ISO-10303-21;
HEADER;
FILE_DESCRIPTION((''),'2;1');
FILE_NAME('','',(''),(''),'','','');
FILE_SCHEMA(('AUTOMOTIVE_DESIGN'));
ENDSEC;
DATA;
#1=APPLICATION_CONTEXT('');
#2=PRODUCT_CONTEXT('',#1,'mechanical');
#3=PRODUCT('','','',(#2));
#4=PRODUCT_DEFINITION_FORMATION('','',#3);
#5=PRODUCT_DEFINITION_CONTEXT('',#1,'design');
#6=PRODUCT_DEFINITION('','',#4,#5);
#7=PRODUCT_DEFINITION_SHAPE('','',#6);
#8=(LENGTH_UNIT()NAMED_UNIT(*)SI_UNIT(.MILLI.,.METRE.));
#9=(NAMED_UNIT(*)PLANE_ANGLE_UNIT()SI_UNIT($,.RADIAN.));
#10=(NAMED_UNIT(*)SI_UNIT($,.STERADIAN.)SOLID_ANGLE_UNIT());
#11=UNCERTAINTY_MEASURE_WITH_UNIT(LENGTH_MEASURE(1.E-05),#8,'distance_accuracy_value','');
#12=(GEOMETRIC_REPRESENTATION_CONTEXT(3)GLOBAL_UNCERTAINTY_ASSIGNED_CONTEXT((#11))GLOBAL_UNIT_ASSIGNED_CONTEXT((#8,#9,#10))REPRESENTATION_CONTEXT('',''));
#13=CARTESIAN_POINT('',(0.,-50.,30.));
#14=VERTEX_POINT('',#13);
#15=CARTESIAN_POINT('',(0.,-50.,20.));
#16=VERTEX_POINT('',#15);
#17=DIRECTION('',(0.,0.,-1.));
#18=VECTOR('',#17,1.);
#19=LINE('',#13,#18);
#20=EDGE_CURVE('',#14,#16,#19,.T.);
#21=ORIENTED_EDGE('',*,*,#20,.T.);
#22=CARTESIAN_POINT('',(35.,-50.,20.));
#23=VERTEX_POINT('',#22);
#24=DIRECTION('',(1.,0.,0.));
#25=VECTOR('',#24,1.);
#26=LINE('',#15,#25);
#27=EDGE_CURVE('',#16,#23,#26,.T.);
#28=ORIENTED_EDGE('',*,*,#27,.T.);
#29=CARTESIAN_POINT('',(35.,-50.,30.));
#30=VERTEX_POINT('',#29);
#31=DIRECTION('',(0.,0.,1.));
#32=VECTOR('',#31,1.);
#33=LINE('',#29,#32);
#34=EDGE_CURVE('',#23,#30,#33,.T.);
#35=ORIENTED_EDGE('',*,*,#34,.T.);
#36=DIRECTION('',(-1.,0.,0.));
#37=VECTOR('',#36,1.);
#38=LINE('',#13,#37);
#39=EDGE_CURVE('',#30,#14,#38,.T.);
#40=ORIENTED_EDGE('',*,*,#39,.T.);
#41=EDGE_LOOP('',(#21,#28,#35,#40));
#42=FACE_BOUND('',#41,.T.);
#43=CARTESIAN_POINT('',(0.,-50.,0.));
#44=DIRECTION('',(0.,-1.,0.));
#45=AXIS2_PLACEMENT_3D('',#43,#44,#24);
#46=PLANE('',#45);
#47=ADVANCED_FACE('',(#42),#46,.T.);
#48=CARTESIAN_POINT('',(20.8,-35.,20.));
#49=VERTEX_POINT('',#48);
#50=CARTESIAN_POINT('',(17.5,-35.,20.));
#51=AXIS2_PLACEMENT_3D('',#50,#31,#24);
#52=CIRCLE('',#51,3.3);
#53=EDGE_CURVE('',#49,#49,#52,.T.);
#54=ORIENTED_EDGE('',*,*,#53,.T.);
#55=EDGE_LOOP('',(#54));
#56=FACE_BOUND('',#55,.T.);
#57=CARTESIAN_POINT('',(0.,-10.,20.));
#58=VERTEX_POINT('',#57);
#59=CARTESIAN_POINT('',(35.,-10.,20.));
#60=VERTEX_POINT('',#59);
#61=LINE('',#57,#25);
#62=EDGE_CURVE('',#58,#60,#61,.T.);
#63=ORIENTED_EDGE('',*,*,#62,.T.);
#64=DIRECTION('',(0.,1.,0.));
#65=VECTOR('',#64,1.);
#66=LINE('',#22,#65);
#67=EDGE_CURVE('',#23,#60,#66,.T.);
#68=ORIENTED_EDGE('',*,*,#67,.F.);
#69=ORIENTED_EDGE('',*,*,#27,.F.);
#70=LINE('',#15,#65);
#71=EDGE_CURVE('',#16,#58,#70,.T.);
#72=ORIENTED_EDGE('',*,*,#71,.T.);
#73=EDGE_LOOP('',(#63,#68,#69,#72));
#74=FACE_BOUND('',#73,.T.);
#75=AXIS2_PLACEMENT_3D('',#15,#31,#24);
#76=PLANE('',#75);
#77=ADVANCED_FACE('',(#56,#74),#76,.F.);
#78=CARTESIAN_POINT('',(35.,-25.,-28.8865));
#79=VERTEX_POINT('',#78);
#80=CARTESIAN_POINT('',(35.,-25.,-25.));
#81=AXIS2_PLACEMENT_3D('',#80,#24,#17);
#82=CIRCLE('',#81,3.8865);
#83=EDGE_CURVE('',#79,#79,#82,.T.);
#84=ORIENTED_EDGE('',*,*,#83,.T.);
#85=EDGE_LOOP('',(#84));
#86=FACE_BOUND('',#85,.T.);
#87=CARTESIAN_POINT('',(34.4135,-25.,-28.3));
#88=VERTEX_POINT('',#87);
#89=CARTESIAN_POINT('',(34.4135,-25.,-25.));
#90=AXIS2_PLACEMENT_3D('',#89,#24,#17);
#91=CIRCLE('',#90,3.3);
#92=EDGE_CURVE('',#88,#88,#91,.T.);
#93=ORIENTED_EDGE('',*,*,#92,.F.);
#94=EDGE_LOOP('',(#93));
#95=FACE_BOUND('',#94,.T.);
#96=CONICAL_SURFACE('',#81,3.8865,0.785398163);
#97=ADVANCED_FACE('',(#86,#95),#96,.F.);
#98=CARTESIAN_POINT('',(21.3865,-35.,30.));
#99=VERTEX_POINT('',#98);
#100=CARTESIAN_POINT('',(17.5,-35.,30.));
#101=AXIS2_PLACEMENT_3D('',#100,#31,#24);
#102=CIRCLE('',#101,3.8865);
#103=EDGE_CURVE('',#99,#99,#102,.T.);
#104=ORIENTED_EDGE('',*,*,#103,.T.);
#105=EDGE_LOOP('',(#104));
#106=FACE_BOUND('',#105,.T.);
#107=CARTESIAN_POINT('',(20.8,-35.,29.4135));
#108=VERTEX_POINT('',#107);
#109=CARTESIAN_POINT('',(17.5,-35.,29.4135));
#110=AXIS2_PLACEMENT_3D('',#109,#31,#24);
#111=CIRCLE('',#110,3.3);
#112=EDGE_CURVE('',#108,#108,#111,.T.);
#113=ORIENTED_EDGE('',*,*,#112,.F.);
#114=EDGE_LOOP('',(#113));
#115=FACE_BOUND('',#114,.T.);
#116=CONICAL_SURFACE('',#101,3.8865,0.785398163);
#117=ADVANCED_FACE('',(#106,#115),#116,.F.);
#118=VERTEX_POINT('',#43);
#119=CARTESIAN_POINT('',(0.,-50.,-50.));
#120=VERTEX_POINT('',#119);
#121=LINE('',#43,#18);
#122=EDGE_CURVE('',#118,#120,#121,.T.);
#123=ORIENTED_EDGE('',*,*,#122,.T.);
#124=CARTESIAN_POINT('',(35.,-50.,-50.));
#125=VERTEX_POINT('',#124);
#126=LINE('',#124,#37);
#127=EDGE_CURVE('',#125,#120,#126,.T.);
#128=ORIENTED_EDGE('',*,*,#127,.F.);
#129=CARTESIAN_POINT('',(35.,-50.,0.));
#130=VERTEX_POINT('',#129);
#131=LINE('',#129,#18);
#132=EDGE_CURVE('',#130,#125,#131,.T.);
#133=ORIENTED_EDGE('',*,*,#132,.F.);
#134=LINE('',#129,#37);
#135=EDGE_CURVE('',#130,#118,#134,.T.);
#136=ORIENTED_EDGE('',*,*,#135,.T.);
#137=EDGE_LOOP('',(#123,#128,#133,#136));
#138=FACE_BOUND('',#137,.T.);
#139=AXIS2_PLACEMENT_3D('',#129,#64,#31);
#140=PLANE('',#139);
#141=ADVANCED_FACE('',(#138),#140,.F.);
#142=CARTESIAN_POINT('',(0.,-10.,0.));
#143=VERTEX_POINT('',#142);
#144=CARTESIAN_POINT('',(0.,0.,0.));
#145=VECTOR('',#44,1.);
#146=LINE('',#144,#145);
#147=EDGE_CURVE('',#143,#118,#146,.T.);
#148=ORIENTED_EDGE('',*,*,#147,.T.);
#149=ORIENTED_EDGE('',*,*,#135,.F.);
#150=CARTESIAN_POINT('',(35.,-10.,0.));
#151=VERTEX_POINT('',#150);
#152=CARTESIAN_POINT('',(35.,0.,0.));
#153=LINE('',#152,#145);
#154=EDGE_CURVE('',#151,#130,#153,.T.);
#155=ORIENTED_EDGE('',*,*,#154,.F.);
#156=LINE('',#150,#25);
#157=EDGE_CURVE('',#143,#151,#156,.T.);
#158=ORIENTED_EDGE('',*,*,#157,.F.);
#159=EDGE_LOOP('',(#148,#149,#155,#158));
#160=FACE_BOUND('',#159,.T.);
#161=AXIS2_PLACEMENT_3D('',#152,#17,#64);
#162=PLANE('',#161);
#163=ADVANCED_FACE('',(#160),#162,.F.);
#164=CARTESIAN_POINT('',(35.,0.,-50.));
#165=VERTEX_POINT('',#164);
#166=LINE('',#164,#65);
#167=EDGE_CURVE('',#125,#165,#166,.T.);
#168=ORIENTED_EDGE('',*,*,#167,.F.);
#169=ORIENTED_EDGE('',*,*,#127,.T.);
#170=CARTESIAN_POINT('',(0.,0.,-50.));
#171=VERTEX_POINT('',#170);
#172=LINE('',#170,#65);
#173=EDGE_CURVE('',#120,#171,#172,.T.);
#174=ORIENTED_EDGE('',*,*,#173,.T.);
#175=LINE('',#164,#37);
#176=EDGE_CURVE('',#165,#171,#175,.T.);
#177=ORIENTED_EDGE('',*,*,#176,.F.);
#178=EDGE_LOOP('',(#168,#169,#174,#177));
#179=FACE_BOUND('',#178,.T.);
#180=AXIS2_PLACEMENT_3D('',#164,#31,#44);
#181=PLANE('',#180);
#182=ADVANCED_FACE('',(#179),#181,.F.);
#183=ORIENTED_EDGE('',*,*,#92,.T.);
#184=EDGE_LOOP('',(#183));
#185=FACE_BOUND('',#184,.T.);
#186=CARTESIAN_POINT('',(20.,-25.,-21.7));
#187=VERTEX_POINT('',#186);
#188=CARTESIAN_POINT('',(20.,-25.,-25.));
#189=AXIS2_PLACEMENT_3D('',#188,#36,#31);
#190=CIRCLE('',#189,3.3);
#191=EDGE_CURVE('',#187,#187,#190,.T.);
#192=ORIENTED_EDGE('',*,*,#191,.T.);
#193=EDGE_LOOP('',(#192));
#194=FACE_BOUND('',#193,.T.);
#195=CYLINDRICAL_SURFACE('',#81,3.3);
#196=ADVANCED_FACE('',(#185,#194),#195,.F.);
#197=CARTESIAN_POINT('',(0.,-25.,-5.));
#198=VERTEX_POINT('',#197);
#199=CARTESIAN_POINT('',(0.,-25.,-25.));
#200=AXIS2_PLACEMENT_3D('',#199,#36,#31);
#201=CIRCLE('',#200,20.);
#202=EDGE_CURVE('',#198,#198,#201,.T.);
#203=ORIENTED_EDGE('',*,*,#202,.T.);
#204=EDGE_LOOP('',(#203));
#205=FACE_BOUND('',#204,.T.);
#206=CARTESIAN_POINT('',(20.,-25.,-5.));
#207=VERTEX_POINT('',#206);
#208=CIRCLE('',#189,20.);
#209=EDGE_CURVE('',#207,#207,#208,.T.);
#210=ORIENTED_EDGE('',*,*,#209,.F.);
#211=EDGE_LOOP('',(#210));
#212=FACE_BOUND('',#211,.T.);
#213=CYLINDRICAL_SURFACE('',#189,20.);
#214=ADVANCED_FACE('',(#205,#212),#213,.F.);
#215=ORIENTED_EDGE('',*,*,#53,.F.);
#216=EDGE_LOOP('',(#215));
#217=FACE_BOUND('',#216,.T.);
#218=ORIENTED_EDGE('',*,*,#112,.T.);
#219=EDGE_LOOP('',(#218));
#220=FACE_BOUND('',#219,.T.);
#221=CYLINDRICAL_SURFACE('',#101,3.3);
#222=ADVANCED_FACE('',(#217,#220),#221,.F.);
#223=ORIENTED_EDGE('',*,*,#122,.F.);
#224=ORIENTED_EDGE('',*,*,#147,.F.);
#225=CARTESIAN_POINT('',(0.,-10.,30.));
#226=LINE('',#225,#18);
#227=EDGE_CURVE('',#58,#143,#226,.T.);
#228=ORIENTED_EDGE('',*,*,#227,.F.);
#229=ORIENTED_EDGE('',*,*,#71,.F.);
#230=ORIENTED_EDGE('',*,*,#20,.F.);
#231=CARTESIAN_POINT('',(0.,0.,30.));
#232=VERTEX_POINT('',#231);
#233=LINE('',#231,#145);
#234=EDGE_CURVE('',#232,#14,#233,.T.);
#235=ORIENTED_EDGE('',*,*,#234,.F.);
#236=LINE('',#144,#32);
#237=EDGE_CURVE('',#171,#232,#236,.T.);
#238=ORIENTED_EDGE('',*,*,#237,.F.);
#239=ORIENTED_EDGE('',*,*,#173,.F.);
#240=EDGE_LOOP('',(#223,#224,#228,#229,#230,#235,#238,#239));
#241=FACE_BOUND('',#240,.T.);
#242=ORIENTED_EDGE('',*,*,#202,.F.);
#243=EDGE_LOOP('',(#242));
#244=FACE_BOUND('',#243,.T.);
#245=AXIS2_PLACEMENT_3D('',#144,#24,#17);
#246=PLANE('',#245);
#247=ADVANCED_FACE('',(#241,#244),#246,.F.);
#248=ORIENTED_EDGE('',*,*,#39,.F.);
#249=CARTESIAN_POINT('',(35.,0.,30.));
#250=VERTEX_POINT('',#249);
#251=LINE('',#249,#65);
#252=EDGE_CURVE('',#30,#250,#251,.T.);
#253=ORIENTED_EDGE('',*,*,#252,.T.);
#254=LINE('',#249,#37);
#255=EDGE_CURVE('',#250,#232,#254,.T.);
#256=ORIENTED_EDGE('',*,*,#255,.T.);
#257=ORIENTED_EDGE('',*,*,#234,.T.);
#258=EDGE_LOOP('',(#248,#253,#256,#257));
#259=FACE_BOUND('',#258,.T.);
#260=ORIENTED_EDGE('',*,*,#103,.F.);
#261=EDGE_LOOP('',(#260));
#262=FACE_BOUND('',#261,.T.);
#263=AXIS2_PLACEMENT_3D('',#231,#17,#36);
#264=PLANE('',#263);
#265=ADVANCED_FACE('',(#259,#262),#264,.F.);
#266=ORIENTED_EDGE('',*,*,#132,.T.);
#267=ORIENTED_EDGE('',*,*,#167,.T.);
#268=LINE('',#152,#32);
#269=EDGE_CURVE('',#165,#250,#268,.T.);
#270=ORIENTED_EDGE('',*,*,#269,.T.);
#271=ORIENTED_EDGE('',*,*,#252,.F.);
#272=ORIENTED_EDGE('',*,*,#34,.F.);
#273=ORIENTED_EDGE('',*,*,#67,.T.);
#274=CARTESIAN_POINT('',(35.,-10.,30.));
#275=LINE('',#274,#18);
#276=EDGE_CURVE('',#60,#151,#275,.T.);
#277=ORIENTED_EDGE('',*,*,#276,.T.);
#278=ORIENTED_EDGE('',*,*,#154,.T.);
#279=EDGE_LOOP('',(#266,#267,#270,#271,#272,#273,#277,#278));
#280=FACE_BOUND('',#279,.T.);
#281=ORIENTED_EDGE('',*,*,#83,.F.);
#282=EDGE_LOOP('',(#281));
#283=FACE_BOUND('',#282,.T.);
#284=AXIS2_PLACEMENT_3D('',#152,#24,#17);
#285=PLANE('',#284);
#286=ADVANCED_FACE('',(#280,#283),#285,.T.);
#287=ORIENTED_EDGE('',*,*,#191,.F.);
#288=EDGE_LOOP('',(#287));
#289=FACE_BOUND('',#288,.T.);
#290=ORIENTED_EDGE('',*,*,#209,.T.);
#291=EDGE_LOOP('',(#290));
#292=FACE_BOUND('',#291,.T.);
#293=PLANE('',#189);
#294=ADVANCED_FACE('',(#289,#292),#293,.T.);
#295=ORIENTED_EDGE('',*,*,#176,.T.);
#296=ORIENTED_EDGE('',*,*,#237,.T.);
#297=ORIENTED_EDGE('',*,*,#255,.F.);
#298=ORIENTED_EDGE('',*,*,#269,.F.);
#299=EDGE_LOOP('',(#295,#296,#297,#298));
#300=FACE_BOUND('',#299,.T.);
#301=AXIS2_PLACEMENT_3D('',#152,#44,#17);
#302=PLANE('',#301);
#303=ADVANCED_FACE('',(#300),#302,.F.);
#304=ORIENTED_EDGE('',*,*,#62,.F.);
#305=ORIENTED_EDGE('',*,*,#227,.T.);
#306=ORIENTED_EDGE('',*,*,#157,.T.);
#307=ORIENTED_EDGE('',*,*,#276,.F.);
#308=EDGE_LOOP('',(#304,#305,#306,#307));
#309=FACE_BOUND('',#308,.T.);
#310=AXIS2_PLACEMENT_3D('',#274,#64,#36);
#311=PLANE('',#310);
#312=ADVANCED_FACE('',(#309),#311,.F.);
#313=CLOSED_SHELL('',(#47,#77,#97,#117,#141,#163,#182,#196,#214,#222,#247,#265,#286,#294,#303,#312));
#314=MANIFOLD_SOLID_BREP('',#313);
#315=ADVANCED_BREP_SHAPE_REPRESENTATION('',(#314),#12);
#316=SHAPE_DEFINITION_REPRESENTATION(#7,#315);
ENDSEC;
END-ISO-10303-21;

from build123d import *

# Parameters (mm, degrees)
SKETCH_2_W                      = 50
SKETCH_2_H                      = 50
EXTRUDE_1_DEPTH                 = 35
SKETCH_3_R                      = 20
CUT_EXTRUDE_1_DEPTH             = 20
HOLE_WIZARD_G1_16_1_D           = 6.6
HOLE_WIZARD_G1_16_1_DEPTH       = 20
HOLE_WIZARD_G1_16_1_CSINK_D     = 7.773
HOLE_WIZARD_G1_16_1_CSINK_ANGLE = 90
HOLE_WIZARD_G1_16_1_TIP         = 1.982840043
SKETCH_14_W                     = 35
SKETCH_14_H                     = 10
EXTRUDE_4_DEPTH                 = 30
SKETCH_15_W                     = 35
SKETCH_15_H                     = 10
EXTRUDE_5_DEPTH                 = 40
HOLE_WIZARD_G1_16_2_D           = 6.6
HOLE_WIZARD_G1_16_2_DEPTH       = 20
HOLE_WIZARD_G1_16_2_CSINK_D     = 7.773
HOLE_WIZARD_G1_16_2_CSINK_ANGLE = 90
HOLE_WIZARD_G1_16_2_TIP         = 1.982840043


with BuildPart() as part:
    # 草图2 → 凸台-拉伸1 (new body)
    with BuildSketch(Plane(origin=(0, 0, 0), x_dir=(0, 0, -1), z_dir=(1, 0, 0))):
        with Locations((25, -25)):
            Rectangle(SKETCH_2_W, SKETCH_2_H)
    extrude(amount=EXTRUDE_1_DEPTH)

    # 草图3 → 切除-拉伸1 (cut)
    with BuildSketch(Plane.ZY):
        with Locations((-25, -25)):
            Circle(SKETCH_3_R)
    extrude(amount=-CUT_EXTRUDE_1_DEPTH, mode=Mode.SUBTRACT)

    # G1/16 螺纹孔1
    with Locations(Plane(origin=(35, 0, 0), x_dir=(0, 0, -1), z_dir=(1, 0, 0))):
        with Locations((25, -25)):
            CounterSinkHole(HOLE_WIZARD_G1_16_1_D / 2, HOLE_WIZARD_G1_16_1_CSINK_D / 2, depth=HOLE_WIZARD_G1_16_1_DEPTH, counter_sink_angle=HOLE_WIZARD_G1_16_1_CSINK_ANGLE)
            with Locations((0, 0, -(HOLE_WIZARD_G1_16_1_DEPTH + HOLE_WIZARD_G1_16_1_TIP / 2))):  # 118° drill point
                Cone(0, HOLE_WIZARD_G1_16_1_D / 2, HOLE_WIZARD_G1_16_1_TIP, mode=Mode.SUBTRACT)

    # 草图14 → 凸台-拉伸4 (add)
    with BuildSketch(Plane.XY):
        with Locations((17.5, -5)):
            Rectangle(SKETCH_14_W, SKETCH_14_H)
    extrude(amount=EXTRUDE_4_DEPTH)

    # 草图15 → 凸台-拉伸5 (add)
    with BuildSketch(Plane(origin=(0, -10, 0), x_dir=(-1, 0, 0), z_dir=(0, -1, 0))):
        with Locations((-17.5, -25)):
            Rectangle(SKETCH_15_W, SKETCH_15_H)
    extrude(amount=EXTRUDE_5_DEPTH)

    # G1/16 螺纹孔2
    with Locations(Plane.XY.offset(30)):
        with Locations((17.5, -35)):
            CounterSinkHole(HOLE_WIZARD_G1_16_2_D / 2, HOLE_WIZARD_G1_16_2_CSINK_D / 2, depth=HOLE_WIZARD_G1_16_2_DEPTH, counter_sink_angle=HOLE_WIZARD_G1_16_2_CSINK_ANGLE)
            with Locations((0, 0, -(HOLE_WIZARD_G1_16_2_DEPTH + HOLE_WIZARD_G1_16_2_TIP / 2))):  # 118° drill point
                Cone(0, HOLE_WIZARD_G1_16_2_D / 2, HOLE_WIZARD_G1_16_2_TIP, mode=Mode.SUBTRACT)


solid = part.part
